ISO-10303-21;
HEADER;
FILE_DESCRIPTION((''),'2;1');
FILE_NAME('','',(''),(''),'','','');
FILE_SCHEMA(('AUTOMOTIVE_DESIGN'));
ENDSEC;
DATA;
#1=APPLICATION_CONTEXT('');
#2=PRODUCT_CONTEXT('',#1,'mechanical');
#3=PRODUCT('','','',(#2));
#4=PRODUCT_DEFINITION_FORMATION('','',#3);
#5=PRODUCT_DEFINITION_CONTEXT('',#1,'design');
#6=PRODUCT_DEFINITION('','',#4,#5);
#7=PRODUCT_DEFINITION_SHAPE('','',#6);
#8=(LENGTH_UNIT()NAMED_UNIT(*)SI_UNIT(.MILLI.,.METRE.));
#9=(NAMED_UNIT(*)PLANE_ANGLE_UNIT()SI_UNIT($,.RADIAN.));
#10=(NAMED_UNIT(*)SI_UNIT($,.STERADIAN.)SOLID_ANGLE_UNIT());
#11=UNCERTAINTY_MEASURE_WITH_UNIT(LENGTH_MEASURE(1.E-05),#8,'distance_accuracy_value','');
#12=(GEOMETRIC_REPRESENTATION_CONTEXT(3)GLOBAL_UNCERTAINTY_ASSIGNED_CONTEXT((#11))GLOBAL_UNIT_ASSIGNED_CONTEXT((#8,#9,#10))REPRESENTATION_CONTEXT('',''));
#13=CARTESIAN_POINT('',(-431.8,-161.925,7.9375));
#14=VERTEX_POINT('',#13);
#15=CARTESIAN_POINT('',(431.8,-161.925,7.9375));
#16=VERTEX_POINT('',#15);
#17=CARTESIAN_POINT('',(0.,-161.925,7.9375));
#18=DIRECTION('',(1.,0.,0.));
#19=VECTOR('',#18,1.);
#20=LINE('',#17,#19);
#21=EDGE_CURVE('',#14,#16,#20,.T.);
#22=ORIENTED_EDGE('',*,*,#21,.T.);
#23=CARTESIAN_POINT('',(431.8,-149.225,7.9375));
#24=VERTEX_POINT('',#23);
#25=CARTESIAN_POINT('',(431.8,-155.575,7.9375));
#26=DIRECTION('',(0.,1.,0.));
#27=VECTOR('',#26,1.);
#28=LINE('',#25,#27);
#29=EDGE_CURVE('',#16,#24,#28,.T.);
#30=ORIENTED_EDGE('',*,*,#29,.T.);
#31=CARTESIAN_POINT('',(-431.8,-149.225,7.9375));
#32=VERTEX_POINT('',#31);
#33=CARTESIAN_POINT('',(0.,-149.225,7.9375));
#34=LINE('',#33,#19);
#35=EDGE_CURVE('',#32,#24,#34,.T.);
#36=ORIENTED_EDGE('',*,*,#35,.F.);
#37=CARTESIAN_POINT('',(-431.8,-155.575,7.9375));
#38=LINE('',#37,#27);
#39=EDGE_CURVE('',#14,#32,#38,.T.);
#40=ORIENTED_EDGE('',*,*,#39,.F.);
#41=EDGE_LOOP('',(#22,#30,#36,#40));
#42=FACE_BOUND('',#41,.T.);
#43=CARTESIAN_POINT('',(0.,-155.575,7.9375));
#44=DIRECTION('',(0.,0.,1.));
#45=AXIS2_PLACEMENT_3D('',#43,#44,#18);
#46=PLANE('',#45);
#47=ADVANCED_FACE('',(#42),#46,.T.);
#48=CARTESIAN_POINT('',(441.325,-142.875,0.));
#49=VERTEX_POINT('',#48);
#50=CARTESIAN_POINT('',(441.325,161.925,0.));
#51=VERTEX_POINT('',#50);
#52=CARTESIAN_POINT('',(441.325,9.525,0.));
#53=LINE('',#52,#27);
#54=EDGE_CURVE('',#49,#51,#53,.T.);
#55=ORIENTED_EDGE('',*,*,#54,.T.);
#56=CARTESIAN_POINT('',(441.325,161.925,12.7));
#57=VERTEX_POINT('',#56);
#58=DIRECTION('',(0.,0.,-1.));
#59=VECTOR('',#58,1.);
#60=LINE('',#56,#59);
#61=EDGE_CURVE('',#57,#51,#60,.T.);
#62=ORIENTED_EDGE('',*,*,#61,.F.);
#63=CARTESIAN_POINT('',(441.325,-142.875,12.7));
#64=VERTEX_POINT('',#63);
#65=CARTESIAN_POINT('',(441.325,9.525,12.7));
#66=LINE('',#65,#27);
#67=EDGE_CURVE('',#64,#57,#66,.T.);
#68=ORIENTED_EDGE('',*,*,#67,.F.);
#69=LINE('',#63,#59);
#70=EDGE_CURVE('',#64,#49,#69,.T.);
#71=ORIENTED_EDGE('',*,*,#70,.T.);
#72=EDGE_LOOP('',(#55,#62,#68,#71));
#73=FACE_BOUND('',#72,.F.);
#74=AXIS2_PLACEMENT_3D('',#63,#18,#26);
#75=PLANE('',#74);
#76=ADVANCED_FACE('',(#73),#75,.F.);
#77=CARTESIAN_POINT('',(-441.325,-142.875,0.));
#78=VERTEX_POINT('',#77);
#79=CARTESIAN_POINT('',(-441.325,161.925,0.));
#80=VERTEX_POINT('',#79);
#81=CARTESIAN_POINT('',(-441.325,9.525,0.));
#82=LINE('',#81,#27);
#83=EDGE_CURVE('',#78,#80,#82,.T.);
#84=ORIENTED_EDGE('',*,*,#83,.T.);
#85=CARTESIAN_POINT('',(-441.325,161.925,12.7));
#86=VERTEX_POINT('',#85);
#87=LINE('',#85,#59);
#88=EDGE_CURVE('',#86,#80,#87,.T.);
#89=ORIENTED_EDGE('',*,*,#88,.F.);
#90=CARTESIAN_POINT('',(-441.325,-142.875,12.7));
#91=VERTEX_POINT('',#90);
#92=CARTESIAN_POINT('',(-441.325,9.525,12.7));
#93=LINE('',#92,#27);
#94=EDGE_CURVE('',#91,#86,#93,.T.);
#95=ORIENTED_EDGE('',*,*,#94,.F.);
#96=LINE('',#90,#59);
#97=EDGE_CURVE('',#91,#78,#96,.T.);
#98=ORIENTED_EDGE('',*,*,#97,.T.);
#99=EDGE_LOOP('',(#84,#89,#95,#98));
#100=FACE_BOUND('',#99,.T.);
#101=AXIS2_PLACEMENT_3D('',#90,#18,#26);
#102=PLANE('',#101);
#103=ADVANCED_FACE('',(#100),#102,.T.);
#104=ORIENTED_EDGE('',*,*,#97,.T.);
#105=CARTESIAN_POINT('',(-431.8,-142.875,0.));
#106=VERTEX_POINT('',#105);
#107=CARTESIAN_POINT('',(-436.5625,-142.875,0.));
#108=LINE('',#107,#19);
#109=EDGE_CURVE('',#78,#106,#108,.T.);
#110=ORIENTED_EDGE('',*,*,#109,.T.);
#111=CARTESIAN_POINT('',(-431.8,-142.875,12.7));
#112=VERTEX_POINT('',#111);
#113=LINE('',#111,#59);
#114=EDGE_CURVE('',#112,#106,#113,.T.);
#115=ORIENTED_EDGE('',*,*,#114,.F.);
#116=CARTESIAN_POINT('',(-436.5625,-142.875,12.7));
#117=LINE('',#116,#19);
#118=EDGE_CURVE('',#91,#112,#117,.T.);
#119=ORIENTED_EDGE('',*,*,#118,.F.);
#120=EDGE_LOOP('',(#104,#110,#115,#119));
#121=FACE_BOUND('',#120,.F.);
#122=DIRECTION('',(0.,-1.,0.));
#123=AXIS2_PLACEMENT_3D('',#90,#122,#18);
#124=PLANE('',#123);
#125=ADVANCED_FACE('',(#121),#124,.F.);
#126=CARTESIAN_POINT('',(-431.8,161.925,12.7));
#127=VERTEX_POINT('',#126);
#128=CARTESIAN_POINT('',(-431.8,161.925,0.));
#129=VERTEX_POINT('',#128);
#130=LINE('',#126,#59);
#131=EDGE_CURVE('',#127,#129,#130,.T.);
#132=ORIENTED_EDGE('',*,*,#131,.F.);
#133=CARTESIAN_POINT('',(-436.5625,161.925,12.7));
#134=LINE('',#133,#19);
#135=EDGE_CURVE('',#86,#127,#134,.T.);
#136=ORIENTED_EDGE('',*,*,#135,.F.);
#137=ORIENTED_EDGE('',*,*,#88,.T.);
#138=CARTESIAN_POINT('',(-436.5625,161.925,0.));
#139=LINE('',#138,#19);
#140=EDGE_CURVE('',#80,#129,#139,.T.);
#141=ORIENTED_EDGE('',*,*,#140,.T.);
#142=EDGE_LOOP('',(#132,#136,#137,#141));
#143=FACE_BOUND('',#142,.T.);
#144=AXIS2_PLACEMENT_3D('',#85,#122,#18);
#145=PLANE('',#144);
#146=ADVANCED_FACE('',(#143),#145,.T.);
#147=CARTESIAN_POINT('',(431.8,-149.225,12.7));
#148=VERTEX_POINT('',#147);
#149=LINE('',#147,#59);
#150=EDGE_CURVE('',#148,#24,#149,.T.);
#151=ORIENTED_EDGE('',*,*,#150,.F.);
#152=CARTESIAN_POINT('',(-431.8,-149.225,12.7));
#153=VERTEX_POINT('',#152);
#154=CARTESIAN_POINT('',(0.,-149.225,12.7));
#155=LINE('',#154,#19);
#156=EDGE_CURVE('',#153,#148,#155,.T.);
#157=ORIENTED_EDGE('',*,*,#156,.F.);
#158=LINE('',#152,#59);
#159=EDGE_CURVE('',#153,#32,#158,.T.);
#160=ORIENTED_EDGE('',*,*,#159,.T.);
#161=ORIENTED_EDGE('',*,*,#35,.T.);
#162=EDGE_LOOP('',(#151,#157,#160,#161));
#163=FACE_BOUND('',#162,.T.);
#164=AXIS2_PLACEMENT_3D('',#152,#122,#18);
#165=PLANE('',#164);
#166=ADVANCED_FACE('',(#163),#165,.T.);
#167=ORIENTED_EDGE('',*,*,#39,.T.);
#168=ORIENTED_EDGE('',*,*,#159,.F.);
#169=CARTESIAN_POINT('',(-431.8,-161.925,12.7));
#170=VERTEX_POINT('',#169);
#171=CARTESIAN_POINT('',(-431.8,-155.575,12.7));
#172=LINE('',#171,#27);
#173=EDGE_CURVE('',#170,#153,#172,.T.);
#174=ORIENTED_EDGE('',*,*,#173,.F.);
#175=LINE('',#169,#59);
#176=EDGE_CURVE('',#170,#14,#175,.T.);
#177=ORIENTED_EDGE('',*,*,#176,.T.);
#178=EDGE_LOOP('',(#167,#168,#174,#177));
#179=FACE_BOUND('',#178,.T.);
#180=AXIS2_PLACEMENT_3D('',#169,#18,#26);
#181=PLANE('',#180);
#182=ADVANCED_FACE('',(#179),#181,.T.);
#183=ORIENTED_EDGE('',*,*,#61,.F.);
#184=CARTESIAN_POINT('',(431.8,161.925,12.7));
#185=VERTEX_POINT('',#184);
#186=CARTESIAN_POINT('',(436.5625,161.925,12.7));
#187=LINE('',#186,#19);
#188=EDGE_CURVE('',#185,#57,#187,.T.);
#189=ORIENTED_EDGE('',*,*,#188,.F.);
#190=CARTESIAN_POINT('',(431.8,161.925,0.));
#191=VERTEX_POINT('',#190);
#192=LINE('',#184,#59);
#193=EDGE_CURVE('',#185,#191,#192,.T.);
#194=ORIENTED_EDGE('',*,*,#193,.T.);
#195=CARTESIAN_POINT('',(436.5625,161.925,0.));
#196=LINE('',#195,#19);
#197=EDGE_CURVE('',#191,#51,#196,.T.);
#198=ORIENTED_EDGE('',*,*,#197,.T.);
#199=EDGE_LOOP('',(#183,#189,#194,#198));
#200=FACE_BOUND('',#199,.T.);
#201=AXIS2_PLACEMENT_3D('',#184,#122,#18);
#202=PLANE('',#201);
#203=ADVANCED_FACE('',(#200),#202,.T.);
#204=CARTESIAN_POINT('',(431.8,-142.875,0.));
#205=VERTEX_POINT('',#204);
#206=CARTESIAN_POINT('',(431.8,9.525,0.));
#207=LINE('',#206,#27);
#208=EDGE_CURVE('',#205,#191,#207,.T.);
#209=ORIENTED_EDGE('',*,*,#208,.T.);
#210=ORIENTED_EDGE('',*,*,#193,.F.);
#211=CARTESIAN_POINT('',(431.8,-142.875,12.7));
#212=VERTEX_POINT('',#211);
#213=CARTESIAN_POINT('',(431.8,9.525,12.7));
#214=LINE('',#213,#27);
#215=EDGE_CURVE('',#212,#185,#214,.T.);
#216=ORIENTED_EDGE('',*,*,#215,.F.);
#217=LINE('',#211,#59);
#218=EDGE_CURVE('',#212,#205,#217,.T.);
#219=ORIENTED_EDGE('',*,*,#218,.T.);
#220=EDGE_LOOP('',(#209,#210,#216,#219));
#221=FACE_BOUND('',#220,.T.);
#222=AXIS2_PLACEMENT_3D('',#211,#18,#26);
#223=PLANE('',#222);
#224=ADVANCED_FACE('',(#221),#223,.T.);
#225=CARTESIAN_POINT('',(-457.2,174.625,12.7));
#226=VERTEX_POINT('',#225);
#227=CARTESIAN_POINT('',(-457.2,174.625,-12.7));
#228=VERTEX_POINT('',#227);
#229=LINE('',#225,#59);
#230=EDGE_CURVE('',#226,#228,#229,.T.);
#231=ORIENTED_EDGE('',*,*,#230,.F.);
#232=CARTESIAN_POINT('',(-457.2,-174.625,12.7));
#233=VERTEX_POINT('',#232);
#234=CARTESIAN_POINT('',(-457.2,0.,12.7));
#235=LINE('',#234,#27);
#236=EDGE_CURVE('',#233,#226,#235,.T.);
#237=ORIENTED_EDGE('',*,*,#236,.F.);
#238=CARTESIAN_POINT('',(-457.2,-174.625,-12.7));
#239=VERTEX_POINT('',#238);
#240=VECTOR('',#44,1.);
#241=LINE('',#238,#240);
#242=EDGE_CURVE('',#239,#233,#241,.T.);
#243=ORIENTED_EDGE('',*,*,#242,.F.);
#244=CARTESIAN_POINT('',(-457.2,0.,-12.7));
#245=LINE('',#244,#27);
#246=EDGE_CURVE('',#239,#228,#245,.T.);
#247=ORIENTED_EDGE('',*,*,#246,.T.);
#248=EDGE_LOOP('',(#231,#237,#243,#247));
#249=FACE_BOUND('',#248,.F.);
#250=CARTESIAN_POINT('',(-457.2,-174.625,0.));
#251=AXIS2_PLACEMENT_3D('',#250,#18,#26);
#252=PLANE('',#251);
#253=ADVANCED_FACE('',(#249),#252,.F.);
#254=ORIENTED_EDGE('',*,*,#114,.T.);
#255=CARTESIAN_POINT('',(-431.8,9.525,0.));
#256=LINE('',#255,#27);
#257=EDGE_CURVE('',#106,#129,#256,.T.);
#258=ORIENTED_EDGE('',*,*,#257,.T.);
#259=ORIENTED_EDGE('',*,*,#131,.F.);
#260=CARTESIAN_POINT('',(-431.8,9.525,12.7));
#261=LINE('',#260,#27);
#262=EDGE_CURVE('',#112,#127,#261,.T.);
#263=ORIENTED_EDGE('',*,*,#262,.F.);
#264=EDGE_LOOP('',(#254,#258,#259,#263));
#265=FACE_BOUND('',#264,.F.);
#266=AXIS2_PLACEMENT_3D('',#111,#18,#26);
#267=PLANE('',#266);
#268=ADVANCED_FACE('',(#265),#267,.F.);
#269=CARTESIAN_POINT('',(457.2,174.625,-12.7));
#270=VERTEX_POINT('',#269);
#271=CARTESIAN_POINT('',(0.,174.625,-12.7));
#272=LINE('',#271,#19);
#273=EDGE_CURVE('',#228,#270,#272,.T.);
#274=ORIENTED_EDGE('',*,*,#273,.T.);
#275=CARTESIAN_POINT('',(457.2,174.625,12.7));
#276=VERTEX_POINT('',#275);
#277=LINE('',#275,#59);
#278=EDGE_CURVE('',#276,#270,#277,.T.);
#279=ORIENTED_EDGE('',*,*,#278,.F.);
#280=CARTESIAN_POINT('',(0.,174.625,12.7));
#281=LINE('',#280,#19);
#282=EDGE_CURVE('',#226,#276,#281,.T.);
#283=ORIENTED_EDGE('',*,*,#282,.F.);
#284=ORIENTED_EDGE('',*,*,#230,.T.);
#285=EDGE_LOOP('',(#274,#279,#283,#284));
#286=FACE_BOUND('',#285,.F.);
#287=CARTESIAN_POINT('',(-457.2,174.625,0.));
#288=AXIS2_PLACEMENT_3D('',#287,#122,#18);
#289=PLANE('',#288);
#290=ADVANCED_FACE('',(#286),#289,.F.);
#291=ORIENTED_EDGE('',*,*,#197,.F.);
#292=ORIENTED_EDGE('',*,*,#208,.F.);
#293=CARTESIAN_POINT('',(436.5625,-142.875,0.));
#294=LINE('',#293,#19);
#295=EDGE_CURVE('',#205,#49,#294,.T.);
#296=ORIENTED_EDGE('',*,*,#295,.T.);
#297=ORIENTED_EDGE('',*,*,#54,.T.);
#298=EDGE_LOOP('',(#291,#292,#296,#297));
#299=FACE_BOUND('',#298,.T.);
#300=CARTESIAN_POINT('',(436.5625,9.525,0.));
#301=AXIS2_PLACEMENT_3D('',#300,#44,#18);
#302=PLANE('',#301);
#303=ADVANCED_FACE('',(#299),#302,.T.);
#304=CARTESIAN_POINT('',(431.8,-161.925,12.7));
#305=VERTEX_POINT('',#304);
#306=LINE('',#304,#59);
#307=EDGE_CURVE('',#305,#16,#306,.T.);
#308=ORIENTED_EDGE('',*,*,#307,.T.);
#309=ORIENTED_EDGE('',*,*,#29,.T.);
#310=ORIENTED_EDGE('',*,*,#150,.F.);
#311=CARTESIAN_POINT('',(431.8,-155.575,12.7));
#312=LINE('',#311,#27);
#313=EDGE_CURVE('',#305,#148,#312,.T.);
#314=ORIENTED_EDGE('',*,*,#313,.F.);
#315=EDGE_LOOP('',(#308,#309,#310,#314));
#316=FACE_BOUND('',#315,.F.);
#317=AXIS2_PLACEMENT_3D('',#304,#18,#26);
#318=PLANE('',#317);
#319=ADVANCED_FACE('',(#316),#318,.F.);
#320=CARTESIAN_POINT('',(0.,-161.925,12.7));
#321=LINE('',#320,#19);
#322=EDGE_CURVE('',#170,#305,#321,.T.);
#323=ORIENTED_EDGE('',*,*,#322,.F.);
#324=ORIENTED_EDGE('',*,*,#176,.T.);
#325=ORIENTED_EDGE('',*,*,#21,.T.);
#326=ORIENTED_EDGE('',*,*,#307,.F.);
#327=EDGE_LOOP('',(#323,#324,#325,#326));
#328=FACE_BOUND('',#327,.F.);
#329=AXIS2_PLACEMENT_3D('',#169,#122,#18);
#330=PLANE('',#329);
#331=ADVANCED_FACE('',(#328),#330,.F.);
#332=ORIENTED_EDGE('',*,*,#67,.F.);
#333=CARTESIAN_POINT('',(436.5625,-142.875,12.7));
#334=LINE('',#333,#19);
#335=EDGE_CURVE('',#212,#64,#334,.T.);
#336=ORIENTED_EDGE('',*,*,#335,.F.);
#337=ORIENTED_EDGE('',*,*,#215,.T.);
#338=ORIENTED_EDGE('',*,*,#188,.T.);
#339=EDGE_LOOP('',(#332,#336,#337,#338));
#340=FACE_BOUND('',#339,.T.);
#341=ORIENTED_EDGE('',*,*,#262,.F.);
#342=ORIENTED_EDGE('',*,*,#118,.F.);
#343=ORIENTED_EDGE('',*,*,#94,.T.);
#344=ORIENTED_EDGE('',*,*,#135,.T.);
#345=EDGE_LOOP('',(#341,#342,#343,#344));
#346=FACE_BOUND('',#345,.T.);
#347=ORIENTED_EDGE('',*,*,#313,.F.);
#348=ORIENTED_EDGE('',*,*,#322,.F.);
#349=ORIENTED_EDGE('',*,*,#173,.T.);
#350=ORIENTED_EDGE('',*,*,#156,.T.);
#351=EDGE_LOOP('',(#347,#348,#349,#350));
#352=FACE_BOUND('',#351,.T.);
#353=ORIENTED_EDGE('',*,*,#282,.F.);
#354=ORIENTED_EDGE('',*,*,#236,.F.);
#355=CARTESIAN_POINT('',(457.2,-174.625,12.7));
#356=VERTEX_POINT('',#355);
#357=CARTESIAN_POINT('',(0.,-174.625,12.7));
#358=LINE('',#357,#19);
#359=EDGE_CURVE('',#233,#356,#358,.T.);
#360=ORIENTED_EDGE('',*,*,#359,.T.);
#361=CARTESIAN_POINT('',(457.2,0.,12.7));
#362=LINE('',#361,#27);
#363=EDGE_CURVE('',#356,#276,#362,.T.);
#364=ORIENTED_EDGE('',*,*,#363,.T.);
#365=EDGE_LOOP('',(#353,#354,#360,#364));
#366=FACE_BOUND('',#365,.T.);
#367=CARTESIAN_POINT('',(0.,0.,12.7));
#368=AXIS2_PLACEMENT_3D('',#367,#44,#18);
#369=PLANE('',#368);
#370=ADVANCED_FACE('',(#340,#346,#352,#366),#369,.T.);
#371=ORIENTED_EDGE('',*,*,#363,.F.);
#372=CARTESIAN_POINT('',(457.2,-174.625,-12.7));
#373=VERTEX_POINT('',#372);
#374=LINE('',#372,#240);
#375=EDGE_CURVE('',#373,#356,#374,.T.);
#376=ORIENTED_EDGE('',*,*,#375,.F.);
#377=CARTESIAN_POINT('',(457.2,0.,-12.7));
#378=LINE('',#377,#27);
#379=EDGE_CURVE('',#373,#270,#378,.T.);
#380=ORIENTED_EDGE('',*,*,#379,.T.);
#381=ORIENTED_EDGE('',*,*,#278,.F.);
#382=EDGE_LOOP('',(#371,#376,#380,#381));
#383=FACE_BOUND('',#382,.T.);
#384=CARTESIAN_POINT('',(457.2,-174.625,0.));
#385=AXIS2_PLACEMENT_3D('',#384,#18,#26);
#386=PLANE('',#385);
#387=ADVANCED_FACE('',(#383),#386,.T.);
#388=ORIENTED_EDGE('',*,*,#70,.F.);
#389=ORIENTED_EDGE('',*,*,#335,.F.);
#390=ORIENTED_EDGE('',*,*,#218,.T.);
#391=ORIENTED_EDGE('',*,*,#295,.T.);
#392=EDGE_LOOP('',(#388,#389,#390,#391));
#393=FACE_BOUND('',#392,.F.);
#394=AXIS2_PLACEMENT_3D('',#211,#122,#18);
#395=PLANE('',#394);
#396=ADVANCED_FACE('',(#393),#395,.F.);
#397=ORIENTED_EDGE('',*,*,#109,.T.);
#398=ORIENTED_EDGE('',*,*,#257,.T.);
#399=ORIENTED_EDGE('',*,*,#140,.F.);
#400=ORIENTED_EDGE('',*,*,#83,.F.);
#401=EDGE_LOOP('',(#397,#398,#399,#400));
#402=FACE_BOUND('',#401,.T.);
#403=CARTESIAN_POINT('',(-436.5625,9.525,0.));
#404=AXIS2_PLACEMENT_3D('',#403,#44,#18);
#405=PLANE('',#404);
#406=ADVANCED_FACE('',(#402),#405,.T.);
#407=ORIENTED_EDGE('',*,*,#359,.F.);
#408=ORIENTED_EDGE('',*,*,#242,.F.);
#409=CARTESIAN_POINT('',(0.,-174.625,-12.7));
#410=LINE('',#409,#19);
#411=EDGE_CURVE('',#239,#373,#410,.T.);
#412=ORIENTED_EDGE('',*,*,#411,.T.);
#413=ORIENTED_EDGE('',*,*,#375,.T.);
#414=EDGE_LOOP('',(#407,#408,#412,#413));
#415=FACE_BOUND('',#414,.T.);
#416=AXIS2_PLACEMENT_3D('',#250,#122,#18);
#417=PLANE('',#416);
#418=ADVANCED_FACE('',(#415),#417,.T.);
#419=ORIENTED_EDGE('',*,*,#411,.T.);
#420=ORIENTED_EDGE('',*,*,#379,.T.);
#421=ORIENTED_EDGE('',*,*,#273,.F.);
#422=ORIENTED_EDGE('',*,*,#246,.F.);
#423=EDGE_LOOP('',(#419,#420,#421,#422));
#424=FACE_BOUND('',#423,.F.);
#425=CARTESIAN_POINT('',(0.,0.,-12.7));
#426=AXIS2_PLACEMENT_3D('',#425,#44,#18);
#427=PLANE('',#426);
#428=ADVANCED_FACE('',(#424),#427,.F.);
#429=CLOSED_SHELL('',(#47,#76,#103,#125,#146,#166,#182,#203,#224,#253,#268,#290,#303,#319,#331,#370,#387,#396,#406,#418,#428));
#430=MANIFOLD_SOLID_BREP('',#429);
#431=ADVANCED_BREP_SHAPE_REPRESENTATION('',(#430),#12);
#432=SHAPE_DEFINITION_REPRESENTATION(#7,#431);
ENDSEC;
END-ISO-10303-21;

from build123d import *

# Parameters (mm, degrees)
F0_W     = 914.4
F0_H     = 349.25
F1_DEPTH = 12.7
F2_W     = 863.6
F2_H     = 12.7
F3_DEPTH = 4.7625
F4_W     = 9.525
F4_H     = 304.8
F5_DEPTH = 12.7


with BuildPart() as f1:
    # F0 (on Top) → F1 (new body, symmetric)
    with BuildSketch(Plane.XY):
        Rectangle(F0_W, F0_H)
    extrude(amount=F1_DEPTH, both=True)

    # F2 (on face) → F3 (cut)
    with BuildSketch(Plane.XY.offset(12.7)):
        with Locations((0, -155.575)):
            Rectangle(F2_W, F2_H)
    extrude(amount=-F3_DEPTH, mode=Mode.SUBTRACT)

    # F4 (on face) → F5 (cut)
    with BuildSketch(Plane.XY.offset(12.7)):
        with Locations((-436.5625, 9.525)):
            Rectangle(F4_W, F4_H)
        with Locations((436.5625, 9.525)):
            Rectangle(F4_W, F4_H)
    extrude(amount=-F5_DEPTH, mode=Mode.SUBTRACT)


solid = f1.part
